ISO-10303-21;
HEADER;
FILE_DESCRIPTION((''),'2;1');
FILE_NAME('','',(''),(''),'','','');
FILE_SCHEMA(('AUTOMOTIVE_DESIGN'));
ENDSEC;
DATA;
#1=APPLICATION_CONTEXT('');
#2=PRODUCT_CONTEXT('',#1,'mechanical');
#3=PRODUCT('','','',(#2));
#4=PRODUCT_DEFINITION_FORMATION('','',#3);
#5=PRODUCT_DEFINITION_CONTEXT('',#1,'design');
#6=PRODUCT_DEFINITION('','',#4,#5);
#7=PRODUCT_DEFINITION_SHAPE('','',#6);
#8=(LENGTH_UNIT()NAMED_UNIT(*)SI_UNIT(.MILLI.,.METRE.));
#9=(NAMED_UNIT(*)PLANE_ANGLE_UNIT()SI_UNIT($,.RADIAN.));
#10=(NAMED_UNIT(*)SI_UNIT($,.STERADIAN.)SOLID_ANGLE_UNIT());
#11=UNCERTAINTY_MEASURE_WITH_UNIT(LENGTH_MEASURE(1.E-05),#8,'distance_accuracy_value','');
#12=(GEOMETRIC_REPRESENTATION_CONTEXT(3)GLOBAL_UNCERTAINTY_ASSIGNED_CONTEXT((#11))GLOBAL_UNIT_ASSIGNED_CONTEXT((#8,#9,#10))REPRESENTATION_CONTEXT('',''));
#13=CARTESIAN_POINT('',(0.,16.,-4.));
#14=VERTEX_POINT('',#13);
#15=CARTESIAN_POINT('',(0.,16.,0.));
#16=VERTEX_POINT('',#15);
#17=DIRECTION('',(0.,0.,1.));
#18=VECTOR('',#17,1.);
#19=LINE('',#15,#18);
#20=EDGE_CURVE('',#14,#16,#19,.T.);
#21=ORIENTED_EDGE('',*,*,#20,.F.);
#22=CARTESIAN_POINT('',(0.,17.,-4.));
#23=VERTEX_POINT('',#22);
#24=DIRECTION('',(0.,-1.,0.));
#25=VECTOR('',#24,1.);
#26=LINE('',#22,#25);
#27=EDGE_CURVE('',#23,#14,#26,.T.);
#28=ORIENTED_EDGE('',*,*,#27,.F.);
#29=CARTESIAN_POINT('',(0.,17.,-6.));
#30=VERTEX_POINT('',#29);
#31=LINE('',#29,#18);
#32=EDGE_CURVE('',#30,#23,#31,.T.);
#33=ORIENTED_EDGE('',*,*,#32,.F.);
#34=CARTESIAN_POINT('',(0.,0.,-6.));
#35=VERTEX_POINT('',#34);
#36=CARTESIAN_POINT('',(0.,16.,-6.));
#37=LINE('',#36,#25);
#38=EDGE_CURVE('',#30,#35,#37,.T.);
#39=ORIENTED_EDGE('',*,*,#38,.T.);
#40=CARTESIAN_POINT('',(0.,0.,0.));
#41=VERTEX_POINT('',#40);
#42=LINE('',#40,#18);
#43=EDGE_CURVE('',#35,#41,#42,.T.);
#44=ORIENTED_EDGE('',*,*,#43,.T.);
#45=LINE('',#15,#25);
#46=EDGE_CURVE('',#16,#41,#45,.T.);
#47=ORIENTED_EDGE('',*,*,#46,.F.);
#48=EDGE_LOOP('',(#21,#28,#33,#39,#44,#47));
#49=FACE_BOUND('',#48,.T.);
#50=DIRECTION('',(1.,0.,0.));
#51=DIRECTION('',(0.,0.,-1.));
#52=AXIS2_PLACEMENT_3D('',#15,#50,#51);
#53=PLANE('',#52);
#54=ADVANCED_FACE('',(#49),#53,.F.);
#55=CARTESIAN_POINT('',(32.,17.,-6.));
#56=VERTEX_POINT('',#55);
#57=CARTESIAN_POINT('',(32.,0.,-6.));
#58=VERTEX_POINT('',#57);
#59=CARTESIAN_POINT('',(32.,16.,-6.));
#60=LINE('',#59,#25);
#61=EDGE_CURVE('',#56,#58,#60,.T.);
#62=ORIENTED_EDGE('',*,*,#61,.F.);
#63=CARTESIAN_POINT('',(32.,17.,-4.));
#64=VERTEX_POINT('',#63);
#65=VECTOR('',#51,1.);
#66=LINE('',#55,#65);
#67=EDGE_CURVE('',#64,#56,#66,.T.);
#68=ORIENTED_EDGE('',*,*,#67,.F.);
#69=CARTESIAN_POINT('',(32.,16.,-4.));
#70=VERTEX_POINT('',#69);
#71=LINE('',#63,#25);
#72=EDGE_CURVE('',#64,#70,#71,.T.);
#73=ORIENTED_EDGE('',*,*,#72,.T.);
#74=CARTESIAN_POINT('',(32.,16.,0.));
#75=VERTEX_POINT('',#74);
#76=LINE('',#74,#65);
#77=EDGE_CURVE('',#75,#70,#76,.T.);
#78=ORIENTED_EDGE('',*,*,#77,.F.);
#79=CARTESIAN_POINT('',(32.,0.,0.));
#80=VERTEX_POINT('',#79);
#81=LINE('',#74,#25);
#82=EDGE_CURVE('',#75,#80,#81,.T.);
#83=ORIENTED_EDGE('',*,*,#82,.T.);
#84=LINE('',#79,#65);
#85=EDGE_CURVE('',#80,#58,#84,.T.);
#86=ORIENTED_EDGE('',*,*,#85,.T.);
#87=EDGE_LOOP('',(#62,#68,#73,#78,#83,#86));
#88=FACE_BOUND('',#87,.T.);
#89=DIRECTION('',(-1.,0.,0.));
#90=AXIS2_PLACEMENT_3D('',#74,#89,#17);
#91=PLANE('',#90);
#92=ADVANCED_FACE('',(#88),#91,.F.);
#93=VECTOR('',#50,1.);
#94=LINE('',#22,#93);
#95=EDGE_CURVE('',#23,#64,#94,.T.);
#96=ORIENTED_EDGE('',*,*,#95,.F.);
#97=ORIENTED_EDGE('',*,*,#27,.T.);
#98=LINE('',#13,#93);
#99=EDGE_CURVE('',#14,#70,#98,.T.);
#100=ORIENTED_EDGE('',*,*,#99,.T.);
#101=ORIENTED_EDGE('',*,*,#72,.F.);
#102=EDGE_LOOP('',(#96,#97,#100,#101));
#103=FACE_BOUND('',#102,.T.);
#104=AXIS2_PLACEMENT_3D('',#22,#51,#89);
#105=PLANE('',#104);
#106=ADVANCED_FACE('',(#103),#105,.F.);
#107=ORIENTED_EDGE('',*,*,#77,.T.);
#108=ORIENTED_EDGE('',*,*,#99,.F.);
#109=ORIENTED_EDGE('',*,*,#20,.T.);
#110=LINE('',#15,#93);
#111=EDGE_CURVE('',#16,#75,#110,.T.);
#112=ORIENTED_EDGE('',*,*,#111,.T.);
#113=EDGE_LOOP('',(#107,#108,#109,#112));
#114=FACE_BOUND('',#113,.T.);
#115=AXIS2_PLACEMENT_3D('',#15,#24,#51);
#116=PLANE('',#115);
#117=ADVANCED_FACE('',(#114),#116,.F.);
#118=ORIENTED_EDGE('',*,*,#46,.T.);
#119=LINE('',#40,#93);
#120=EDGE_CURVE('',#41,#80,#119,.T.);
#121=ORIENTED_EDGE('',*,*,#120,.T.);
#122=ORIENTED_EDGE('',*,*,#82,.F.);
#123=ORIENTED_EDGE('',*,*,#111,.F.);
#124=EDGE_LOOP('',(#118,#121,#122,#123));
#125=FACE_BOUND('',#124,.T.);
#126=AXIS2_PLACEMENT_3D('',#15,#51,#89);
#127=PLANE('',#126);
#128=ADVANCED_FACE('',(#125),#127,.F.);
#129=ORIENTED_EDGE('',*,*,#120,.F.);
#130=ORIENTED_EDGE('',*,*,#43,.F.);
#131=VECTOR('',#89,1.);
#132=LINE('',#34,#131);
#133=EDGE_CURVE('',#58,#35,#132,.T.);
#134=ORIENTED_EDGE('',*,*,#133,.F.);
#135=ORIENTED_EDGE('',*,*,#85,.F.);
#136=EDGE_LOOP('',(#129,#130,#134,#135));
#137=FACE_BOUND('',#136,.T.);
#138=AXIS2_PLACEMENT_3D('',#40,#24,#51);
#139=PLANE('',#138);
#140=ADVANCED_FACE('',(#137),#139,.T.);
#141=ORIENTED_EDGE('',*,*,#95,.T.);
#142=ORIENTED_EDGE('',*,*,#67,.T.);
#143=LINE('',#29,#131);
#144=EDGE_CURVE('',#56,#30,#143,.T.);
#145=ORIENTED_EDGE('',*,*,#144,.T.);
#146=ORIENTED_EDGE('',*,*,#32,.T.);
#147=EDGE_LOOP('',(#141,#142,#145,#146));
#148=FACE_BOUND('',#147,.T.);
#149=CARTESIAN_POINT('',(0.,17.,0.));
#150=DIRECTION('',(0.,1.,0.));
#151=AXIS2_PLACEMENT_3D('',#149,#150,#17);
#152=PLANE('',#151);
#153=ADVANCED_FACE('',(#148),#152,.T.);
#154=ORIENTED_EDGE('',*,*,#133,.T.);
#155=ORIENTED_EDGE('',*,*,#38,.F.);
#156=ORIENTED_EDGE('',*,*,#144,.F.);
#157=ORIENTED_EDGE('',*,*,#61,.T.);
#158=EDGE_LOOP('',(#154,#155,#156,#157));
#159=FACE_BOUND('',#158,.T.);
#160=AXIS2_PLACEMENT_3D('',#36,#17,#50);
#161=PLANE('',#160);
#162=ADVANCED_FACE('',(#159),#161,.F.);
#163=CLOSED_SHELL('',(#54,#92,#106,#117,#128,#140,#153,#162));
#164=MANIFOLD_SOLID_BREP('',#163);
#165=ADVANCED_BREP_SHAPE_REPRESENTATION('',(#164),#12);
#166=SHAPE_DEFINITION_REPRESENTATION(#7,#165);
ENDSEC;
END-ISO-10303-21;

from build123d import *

# Parameters (mm, degrees)
BASE_W             = 32
BASE_H             = 6
BOSS_EXTRU_1_DEPTH = 16
ESQUISSE2_W        = 32
ESQUISSE2_H        = 2
BOSS_EXTRU_2_DEPTH = 1


with BuildPart() as part:
    # Base → Boss.-Extru.1 (new body)
    with BuildSketch(Plane(origin=(0, 0, 0), x_dir=(1, 0, 0), z_dir=(0, 1, 0))):
        with Locations((16, 3)):
            Rectangle(BASE_W, BASE_H)
    extrude(amount=BOSS_EXTRU_1_DEPTH)

    # Esquisse2 → Boss.-Extru.2 (add)
    with BuildSketch(Plane(origin=(0, 16, 0), x_dir=(1, 0, 0), z_dir=(0, 1, 0))):
        with Locations((16, 5)):
            Rectangle(ESQUISSE2_W, ESQUISSE2_H)
    extrude(amount=BOSS_EXTRU_2_DEPTH)


solid = part.part
